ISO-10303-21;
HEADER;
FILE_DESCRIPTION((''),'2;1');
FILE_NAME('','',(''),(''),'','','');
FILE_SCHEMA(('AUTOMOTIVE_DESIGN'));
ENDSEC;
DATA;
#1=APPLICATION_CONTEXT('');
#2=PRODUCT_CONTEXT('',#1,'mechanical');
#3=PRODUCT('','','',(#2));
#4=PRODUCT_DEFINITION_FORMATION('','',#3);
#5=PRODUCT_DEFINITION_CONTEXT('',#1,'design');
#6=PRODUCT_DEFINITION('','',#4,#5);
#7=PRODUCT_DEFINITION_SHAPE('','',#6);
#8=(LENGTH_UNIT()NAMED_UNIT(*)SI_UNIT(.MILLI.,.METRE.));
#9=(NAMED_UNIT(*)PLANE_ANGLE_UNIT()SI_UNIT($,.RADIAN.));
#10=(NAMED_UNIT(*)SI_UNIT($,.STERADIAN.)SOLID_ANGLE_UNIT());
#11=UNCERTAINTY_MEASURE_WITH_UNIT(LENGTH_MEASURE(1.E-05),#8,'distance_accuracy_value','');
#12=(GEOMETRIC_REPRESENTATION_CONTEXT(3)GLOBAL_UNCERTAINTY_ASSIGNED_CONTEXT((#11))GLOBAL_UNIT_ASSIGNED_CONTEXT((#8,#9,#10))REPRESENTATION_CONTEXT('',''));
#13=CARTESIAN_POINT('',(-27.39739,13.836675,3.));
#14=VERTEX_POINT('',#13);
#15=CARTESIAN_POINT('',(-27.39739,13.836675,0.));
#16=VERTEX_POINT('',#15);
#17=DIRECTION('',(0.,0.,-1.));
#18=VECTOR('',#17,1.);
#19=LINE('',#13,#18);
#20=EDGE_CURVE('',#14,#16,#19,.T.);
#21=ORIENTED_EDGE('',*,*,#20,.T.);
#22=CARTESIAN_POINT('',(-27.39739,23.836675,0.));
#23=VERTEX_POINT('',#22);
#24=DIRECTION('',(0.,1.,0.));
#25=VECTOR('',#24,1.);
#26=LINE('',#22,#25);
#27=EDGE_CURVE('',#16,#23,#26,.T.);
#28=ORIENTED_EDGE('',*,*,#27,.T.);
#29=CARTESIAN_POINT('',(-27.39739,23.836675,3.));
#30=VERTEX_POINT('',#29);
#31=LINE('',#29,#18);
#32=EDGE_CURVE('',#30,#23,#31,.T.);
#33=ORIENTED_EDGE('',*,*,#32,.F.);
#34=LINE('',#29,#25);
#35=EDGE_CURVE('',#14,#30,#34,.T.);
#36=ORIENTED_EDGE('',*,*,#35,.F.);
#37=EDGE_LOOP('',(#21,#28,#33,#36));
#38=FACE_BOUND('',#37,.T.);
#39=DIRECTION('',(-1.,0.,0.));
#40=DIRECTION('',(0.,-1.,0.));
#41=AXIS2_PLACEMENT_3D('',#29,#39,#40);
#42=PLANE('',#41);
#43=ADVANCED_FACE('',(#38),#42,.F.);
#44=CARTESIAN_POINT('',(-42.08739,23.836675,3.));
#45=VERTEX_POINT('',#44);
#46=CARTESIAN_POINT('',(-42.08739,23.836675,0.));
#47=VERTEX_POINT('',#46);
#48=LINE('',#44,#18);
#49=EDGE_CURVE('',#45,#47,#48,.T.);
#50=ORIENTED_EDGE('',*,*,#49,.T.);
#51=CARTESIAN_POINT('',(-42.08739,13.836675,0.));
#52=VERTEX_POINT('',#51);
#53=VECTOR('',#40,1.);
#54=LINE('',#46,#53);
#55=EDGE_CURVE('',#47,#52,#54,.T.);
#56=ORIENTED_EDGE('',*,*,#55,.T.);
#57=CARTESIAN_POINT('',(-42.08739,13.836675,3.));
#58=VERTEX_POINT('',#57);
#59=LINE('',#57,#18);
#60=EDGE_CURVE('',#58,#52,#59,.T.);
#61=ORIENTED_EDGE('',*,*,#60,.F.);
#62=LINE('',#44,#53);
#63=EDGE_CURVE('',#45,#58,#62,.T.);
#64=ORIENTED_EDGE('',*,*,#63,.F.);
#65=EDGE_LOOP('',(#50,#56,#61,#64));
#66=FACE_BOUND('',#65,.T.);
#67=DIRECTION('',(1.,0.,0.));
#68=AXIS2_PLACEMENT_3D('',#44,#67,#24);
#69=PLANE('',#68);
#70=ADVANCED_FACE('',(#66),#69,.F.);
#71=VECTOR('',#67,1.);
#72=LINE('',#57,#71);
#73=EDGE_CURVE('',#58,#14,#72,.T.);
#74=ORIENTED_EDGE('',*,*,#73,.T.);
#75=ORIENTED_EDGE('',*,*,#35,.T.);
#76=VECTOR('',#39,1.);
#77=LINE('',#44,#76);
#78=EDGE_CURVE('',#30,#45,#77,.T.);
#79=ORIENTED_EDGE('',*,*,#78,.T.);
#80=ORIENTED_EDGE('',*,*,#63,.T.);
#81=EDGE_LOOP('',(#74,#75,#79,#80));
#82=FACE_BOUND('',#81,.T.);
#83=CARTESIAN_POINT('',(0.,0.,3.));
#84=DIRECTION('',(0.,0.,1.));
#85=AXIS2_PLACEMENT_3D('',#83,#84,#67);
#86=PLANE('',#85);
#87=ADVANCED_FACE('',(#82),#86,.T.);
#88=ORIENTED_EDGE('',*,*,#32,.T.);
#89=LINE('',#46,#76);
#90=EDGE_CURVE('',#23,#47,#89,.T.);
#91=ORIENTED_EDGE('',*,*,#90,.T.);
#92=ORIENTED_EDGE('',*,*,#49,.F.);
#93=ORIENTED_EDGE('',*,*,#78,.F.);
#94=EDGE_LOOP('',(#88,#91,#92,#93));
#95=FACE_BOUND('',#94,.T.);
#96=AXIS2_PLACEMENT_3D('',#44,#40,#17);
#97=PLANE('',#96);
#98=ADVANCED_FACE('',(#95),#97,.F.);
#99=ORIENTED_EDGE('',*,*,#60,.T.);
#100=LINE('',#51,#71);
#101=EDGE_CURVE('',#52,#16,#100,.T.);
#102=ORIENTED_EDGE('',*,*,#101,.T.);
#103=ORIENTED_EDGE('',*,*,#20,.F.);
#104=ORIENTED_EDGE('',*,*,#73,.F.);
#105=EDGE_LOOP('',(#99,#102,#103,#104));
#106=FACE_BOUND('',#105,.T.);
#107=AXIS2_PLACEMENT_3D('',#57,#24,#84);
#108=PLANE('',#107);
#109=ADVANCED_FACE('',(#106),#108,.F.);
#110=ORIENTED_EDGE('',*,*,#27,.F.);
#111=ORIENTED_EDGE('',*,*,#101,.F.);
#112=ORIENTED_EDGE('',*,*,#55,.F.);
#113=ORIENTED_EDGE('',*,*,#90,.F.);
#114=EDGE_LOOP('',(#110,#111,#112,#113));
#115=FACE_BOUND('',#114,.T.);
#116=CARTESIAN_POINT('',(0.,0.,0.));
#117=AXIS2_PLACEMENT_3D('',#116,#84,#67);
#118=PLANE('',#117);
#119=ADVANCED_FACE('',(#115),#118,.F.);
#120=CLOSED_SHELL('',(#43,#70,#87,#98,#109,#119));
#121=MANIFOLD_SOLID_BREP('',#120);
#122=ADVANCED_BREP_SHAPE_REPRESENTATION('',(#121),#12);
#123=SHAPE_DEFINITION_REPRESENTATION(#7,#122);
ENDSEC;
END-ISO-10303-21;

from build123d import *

# Parameters (mm, degrees)
ESQUISSE1_W        = 14.69
ESQUISSE1_H        = 10
BOSS_EXTRU_1_DEPTH = 3


with BuildPart() as part:
    # Esquisse1 → Boss.-Extru.1 (new body)
    with BuildSketch(Plane.XY):
        with Locations((-34.742389701, 18.836675127)):
            Rectangle(ESQUISSE1_W, ESQUISSE1_H)
    extrude(amount=BOSS_EXTRU_1_DEPTH)


solid = part.part
